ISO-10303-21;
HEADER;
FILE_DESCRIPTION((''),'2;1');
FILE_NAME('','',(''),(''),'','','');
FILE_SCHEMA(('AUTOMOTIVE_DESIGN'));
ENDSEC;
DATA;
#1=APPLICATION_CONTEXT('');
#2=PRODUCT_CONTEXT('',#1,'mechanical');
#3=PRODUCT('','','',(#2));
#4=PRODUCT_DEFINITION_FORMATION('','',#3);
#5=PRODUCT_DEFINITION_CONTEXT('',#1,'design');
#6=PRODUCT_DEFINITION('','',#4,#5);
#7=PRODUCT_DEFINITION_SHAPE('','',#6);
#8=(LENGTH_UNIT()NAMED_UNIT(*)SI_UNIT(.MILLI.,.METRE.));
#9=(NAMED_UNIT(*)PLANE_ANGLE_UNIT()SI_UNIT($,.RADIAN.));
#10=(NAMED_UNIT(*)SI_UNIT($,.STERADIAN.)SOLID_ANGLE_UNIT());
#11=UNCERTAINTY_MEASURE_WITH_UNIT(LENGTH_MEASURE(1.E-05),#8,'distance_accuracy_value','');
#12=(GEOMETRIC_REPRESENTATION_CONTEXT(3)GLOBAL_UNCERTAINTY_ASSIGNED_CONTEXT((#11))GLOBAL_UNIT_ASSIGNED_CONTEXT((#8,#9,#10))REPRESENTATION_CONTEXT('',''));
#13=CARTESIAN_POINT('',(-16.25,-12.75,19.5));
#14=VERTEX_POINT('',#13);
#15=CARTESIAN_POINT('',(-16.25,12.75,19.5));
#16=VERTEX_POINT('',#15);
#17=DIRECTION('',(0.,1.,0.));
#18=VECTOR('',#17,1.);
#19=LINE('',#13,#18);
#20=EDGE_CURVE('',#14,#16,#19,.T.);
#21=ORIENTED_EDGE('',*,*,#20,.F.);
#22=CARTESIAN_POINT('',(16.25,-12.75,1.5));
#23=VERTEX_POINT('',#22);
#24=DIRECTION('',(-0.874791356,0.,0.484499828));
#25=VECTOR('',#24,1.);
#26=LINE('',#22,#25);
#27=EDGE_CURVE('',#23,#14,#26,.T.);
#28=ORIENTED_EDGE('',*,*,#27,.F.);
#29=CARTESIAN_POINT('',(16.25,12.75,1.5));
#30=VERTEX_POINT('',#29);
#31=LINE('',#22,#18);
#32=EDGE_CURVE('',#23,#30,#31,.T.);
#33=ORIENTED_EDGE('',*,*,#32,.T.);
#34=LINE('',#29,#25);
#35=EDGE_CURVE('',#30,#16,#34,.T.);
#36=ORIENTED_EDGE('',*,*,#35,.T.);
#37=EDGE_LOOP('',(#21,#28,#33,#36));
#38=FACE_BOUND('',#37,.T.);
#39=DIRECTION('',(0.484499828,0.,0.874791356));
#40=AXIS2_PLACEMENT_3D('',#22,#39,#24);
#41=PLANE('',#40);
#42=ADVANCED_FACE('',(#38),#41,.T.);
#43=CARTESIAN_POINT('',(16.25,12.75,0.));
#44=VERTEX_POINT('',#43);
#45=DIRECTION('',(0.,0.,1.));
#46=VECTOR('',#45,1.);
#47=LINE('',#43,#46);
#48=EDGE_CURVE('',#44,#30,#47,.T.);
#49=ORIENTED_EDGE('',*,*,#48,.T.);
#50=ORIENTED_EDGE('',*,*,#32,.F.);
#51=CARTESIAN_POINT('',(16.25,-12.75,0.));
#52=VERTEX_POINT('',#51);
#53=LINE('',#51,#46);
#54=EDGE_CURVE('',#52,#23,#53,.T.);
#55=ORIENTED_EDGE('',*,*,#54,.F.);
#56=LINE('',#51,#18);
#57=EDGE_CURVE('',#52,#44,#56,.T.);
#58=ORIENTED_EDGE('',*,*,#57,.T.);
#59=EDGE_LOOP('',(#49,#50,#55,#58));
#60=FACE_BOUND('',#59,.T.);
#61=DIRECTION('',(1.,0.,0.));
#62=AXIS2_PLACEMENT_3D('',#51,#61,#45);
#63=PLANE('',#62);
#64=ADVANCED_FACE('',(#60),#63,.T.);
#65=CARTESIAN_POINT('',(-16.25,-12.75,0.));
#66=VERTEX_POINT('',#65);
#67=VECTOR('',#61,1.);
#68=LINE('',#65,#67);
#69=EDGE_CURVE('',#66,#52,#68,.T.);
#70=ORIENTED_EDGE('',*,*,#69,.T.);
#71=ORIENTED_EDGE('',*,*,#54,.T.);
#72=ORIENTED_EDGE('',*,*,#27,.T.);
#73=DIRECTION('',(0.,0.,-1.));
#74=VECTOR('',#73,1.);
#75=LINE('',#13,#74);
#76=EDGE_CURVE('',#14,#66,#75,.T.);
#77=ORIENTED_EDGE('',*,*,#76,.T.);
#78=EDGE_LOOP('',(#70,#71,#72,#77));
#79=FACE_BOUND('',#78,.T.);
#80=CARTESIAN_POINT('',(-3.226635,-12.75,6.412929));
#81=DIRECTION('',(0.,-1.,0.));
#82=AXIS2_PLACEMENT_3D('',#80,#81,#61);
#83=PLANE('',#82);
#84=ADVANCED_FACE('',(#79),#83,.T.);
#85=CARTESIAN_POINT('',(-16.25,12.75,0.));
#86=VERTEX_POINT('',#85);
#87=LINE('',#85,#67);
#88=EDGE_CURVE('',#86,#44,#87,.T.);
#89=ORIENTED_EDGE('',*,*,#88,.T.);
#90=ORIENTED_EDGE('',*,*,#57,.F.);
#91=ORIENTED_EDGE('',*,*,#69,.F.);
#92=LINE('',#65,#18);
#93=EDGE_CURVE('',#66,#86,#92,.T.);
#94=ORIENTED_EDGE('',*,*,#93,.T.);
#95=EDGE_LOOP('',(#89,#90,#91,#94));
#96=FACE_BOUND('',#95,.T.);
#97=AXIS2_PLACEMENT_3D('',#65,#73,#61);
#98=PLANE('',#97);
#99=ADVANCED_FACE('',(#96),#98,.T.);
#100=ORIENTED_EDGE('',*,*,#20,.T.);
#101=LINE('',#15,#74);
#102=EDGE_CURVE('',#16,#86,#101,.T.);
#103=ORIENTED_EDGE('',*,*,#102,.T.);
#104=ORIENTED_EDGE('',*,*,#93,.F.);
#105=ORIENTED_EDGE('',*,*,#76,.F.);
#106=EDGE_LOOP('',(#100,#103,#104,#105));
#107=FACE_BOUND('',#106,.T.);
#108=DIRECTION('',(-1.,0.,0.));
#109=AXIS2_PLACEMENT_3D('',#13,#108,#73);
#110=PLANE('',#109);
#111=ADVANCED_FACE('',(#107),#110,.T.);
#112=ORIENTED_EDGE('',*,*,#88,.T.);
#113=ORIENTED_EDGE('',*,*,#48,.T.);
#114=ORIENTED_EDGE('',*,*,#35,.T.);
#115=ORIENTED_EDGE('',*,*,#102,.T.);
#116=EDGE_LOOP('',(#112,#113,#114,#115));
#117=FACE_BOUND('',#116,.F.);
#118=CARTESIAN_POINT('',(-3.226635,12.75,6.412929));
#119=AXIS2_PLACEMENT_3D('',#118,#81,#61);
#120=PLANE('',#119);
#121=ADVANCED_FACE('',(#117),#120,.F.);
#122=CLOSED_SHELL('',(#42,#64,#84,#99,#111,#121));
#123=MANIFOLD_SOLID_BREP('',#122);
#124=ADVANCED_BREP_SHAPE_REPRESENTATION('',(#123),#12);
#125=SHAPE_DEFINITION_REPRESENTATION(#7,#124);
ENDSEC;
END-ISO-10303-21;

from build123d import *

# Parameters (mm, degrees)
F3_DEPTH = 25.5


with BuildPart() as f3:
    # F2 (on offset) → F3 (new body)
    with BuildSketch(Plane.XZ.offset(12.75)):
        Polygon((-16.25, 0), (16.25, 0), (16.25, 1.5), (-16.25, 19.5), align=None)
    extrude(amount=-F3_DEPTH)


solid = f3.part
